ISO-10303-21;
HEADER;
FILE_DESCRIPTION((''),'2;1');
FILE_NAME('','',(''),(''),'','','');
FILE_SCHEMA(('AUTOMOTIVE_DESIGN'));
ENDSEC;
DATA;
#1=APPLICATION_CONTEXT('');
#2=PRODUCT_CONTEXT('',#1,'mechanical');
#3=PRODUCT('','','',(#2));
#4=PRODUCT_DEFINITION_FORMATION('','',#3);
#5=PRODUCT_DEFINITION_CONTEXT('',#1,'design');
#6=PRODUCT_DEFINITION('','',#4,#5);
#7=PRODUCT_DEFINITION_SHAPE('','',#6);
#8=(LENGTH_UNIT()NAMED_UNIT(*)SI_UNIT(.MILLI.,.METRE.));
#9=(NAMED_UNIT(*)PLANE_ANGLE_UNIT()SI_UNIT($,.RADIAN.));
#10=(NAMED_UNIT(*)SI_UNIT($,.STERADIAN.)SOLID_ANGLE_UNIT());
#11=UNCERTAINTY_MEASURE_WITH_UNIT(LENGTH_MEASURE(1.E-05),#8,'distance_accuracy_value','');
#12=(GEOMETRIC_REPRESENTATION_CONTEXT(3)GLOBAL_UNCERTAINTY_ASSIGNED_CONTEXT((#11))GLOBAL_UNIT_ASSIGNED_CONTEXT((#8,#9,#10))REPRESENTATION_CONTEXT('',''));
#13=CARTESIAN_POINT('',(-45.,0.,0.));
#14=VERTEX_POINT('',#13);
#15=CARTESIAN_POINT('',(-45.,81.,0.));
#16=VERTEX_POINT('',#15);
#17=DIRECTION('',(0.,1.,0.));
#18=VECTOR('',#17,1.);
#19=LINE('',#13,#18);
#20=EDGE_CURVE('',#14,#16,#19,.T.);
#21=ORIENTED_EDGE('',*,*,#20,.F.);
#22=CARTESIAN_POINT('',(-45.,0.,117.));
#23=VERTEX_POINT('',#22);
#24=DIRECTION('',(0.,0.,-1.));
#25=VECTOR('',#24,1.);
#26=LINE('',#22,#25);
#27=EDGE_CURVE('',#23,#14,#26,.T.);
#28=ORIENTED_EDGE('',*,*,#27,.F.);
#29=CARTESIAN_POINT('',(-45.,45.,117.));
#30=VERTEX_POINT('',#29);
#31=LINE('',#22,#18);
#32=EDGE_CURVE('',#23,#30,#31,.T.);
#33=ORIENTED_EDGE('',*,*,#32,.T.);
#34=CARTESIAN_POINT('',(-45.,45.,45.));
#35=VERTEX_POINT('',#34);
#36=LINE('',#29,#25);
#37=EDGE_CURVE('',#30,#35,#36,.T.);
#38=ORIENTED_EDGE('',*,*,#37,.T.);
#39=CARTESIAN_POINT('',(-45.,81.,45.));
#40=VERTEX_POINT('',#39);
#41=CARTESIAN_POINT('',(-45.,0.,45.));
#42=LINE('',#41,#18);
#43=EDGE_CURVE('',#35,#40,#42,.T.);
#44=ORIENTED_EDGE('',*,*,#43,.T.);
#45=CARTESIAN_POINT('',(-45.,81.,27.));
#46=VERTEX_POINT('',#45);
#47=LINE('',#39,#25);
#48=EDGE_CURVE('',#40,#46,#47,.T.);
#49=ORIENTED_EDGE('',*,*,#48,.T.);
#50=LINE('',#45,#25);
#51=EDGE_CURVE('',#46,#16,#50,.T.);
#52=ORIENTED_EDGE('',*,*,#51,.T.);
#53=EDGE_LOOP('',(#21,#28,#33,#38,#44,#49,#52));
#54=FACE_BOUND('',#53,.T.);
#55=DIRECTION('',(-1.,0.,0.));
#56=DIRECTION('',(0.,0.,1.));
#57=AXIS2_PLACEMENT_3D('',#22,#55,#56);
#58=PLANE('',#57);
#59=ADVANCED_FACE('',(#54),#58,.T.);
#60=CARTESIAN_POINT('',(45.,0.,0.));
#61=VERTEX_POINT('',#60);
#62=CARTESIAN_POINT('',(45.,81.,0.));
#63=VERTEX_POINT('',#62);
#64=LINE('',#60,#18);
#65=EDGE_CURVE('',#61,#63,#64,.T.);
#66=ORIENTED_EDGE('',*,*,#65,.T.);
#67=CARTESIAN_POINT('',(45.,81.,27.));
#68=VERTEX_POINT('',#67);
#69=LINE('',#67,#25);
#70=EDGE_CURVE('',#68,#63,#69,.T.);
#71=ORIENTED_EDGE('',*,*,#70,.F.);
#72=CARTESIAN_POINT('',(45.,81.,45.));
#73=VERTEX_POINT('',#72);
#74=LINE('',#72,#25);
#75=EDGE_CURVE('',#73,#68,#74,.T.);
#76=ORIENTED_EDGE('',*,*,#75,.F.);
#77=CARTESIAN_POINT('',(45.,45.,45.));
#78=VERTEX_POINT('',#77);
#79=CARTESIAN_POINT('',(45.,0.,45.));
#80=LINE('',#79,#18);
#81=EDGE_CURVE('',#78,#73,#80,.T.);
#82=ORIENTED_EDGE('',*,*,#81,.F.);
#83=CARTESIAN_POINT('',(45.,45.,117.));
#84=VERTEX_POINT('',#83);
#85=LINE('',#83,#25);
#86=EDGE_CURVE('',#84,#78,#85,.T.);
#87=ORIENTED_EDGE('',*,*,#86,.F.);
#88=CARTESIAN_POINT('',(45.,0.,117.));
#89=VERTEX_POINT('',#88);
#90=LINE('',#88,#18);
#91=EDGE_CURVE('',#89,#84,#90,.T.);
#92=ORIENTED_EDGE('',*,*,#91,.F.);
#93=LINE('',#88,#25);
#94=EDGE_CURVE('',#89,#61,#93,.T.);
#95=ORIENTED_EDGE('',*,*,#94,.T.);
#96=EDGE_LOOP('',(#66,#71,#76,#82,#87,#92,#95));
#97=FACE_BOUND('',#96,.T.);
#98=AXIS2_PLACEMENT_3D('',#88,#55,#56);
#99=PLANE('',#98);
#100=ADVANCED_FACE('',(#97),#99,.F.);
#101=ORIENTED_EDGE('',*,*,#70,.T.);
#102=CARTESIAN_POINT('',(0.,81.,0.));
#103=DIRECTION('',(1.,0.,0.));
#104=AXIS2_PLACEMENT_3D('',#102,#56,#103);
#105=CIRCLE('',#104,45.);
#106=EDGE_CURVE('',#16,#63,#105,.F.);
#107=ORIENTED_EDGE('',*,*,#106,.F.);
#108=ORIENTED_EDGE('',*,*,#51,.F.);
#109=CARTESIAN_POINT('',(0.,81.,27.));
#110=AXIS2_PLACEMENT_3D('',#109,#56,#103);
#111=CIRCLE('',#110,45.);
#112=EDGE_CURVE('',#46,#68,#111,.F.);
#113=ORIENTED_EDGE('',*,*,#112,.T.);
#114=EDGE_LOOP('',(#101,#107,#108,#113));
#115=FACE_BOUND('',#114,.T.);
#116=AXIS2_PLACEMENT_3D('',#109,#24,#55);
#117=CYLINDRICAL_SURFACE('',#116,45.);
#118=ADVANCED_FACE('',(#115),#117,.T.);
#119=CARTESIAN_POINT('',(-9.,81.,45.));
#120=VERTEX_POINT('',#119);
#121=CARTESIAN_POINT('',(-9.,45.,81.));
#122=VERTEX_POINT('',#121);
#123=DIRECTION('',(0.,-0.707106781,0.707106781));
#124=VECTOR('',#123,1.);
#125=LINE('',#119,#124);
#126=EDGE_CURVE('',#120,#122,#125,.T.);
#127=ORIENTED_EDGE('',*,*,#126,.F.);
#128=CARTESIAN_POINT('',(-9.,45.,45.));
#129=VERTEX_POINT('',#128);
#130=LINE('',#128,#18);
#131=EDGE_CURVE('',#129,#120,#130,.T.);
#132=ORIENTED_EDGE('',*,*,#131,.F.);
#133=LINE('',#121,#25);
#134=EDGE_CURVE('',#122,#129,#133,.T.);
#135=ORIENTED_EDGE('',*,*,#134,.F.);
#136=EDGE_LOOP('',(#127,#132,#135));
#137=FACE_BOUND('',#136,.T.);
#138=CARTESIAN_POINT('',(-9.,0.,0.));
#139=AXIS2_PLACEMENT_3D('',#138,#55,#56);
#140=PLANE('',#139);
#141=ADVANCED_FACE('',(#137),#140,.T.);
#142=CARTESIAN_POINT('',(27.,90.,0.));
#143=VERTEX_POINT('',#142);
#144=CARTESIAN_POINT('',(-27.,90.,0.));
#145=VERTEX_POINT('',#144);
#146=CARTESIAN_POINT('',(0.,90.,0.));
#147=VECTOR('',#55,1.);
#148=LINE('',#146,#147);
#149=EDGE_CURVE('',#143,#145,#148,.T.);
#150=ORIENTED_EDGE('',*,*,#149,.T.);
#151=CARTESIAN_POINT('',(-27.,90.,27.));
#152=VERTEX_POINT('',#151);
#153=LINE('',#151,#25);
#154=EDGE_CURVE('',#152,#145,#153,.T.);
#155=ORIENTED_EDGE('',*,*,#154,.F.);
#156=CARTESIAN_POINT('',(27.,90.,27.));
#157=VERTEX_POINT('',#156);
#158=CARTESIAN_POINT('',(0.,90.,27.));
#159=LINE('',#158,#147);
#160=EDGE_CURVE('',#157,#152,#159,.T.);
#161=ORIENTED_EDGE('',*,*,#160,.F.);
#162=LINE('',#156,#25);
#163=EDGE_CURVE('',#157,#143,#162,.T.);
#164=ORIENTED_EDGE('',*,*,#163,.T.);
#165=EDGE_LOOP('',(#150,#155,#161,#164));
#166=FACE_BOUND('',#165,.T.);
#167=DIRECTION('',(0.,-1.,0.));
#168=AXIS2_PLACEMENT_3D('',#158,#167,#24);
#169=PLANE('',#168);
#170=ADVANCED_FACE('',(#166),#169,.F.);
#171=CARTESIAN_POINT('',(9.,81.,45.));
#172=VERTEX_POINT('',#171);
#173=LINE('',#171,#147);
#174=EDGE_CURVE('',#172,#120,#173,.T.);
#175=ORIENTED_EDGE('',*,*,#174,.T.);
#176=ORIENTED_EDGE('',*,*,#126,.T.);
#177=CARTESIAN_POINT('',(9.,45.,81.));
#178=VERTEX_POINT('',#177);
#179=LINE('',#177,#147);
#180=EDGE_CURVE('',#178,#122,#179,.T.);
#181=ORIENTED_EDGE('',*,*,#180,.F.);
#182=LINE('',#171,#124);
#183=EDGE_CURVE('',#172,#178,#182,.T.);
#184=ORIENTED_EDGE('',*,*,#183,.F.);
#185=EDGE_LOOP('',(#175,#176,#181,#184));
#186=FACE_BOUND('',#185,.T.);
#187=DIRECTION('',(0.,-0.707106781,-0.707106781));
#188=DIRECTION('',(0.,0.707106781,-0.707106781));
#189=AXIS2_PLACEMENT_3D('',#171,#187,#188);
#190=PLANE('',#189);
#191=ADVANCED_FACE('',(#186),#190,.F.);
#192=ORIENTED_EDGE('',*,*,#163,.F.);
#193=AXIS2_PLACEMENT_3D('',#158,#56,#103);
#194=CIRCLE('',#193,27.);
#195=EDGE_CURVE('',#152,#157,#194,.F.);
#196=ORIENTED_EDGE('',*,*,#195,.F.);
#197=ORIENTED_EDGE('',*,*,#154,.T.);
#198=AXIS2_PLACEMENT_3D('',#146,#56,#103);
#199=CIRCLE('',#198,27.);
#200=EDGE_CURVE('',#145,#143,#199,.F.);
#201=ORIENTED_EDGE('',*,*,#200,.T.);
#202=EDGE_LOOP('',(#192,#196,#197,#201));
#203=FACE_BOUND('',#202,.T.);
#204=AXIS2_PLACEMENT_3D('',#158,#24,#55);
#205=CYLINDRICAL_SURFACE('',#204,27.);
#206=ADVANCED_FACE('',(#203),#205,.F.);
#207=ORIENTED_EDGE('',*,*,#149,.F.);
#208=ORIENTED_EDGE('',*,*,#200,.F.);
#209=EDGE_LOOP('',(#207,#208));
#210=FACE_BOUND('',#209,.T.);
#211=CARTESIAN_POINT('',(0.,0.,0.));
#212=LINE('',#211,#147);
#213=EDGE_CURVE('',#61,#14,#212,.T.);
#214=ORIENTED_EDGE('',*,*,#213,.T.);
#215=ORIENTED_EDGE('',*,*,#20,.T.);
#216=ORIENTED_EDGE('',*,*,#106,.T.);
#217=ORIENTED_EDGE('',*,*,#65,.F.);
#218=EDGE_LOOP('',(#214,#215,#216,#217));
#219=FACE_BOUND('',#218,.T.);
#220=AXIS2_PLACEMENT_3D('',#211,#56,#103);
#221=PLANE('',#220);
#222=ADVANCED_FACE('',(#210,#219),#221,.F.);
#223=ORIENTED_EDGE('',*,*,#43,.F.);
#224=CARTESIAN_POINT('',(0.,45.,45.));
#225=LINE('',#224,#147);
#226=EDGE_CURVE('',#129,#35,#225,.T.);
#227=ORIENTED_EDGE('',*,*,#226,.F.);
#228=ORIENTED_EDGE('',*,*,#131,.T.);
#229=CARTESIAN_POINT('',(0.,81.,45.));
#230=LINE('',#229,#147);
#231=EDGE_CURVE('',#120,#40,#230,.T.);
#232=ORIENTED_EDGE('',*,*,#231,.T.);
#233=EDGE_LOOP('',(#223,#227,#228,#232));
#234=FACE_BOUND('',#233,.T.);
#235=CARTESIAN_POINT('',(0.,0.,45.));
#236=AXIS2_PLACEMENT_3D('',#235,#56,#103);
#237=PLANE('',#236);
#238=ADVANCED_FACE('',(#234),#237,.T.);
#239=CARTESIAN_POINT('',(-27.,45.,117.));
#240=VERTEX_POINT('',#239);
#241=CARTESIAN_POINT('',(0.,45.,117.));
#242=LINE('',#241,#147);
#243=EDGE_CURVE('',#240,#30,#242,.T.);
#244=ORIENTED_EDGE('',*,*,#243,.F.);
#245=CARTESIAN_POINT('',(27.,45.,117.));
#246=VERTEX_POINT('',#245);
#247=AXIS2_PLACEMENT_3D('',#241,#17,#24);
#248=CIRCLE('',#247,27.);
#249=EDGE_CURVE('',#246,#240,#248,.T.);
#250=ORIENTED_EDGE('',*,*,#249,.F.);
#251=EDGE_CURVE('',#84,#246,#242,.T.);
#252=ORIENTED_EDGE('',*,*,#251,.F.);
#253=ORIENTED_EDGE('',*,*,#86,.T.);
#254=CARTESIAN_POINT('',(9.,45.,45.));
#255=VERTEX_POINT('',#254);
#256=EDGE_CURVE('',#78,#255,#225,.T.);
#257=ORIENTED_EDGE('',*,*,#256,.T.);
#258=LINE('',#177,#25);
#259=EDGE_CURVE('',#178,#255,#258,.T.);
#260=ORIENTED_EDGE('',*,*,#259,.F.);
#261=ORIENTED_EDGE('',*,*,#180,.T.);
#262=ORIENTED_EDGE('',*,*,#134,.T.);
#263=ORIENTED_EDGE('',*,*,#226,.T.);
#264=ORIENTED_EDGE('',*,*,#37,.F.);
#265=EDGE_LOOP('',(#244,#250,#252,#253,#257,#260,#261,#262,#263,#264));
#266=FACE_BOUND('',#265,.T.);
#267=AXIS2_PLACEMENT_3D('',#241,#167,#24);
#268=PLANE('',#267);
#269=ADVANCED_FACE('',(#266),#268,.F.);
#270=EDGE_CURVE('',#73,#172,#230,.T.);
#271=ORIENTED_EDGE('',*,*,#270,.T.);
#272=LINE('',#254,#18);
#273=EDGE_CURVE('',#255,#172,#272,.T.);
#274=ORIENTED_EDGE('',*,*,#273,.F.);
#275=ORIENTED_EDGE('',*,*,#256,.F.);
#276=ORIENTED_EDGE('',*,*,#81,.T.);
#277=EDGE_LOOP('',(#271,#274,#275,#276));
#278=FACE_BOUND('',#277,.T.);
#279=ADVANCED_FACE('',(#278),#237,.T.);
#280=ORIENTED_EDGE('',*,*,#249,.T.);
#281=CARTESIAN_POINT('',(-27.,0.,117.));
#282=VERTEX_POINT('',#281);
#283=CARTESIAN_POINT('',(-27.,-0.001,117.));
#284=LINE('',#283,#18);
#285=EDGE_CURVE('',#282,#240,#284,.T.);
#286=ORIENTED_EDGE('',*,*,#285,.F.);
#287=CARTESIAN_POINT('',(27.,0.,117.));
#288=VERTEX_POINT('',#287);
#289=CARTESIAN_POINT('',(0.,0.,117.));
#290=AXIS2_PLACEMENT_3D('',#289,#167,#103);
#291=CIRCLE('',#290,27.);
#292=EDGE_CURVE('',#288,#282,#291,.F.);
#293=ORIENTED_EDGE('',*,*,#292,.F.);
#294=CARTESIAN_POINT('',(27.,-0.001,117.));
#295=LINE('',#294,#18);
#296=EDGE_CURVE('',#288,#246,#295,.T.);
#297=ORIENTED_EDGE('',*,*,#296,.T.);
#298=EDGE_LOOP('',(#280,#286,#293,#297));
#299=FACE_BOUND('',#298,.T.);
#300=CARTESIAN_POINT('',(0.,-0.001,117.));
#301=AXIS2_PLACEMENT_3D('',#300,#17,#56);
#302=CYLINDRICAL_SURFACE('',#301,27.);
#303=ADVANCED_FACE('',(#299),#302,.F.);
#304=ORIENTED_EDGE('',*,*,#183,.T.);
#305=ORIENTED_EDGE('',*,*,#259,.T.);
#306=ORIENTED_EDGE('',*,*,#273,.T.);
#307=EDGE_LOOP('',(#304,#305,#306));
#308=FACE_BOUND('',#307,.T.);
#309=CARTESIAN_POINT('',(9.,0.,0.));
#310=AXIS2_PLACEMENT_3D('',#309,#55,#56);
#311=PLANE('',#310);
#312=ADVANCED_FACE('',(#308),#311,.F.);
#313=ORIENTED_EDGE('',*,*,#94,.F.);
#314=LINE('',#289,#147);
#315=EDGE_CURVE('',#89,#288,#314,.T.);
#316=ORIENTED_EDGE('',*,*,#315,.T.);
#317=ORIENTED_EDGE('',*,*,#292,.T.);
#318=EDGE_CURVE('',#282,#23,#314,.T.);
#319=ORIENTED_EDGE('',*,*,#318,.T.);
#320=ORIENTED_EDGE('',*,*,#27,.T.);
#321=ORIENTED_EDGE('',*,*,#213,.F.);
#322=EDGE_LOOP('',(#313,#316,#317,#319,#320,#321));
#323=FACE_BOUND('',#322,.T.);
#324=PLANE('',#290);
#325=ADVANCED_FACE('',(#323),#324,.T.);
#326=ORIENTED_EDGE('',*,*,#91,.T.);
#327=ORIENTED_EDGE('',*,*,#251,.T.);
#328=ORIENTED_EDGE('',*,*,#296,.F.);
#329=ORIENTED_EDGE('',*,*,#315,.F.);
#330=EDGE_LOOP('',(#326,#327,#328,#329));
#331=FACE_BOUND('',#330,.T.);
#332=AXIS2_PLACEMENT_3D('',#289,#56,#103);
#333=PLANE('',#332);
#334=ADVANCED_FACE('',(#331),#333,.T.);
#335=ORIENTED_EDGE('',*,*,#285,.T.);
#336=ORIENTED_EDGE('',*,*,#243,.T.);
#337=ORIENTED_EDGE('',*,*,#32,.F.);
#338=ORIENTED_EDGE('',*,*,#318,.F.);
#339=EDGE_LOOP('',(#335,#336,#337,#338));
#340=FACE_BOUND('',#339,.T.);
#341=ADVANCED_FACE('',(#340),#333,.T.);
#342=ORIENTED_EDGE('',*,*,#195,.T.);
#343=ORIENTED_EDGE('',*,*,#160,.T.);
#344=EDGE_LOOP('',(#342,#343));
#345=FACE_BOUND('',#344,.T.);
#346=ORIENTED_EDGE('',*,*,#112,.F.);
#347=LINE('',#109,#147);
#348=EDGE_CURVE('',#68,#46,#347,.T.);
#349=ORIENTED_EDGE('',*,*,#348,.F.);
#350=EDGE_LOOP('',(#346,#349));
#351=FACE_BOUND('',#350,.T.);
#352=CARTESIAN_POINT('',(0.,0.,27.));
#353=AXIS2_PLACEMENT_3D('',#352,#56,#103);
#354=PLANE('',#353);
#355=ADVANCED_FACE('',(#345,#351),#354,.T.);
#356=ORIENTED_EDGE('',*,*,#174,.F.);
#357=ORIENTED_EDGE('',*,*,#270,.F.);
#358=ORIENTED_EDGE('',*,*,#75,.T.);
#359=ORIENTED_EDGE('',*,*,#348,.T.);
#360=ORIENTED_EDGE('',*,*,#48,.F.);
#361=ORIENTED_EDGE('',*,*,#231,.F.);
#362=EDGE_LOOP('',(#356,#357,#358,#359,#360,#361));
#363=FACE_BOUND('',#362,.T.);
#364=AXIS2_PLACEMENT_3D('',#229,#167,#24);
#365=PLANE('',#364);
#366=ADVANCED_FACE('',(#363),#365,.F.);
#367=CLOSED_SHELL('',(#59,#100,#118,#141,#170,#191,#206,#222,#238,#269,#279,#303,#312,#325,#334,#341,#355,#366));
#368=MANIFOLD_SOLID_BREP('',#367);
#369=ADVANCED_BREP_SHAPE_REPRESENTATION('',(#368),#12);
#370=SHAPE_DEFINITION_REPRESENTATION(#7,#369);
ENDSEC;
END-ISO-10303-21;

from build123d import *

# Parameters (mm, degrees)
SKETCH1_W           = 90
SKETCH1_H           = 45
BOSS_EXTRUDE1_DEPTH = 117
SKETCH1_3_W         = 90
SKETCH1_3_H         = 36
BOSS_EXTRUDE2_DEPTH = 45
BOSS_EXTRUDE3_DEPTH = 27
CUT_EXTRUDE1_REACH  = 151.248
BOSS_EXTRUDE4_DEPTH = 9


with BuildPart() as part:
    # Sketch1 → Boss-Extrude1 (new body)
    with BuildSketch(Plane.XY):
        with Locations((0, 22.5)):
            Rectangle(SKETCH1_W, SKETCH1_H)
    extrude(amount=BOSS_EXTRUDE1_DEPTH)

    # Sketch1<3> → Boss-Extrude2 (add)
    with BuildSketch(Plane.XY):
        with Locations((0, 63)):
            Rectangle(SKETCH1_3_W, SKETCH1_3_H)
    extrude(amount=BOSS_EXTRUDE2_DEPTH)

    # Sketch1<4> → Boss-Extrude3 (add)
    with BuildSketch(Plane.XY):
        with BuildLine():
            Line((-45, 81), (45, 81))
            ThreePointArc((45, 81), (0, 126), (-45, 81))
        make_face()
        with BuildLine():
            ThreePointArc((-27, 90), (0, 117), (27, 90))
            Line((27, 90), (-27, 90))
        make_face(mode=Mode.SUBTRACT)
    extrude(amount=BOSS_EXTRUDE3_DEPTH)

    # Sketch5 → Cut-Extrude1 (cut, up to next)
    with BuildSketch(Plane(origin=(0, 45, 0), x_dir=(1, 0, 0), z_dir=(0, 1, 0)), mode=Mode.PRIVATE) as cut_extrude1_sk1:
        with BuildLine():
            Line((-27, -117), (27, -117))
            ThreePointArc((27, -117), (0, -90), (-27, -117))
        make_face()
    cut_extrude1_tool1 = extrude(cut_extrude1_sk1.sketch, amount=-CUT_EXTRUDE1_REACH, mode=Mode.PRIVATE) & part.part
    add(cut_extrude1_tool1.solids().sort_by_distance((0, 45, 105.540844))[0], mode=Mode.SUBTRACT)

    # Sketch7 → Boss-Extrude4 (add, symmetric)
    with BuildSketch(Plane(origin=(0, 0, 0), x_dir=(0, 0, -1), z_dir=(1, 0, 0))):
        Polygon((-45, 81), (-81, 45), (-45, 45), align=None)
    extrude(amount=BOSS_EXTRUDE4_DEPTH, both=True)


solid = part.part
